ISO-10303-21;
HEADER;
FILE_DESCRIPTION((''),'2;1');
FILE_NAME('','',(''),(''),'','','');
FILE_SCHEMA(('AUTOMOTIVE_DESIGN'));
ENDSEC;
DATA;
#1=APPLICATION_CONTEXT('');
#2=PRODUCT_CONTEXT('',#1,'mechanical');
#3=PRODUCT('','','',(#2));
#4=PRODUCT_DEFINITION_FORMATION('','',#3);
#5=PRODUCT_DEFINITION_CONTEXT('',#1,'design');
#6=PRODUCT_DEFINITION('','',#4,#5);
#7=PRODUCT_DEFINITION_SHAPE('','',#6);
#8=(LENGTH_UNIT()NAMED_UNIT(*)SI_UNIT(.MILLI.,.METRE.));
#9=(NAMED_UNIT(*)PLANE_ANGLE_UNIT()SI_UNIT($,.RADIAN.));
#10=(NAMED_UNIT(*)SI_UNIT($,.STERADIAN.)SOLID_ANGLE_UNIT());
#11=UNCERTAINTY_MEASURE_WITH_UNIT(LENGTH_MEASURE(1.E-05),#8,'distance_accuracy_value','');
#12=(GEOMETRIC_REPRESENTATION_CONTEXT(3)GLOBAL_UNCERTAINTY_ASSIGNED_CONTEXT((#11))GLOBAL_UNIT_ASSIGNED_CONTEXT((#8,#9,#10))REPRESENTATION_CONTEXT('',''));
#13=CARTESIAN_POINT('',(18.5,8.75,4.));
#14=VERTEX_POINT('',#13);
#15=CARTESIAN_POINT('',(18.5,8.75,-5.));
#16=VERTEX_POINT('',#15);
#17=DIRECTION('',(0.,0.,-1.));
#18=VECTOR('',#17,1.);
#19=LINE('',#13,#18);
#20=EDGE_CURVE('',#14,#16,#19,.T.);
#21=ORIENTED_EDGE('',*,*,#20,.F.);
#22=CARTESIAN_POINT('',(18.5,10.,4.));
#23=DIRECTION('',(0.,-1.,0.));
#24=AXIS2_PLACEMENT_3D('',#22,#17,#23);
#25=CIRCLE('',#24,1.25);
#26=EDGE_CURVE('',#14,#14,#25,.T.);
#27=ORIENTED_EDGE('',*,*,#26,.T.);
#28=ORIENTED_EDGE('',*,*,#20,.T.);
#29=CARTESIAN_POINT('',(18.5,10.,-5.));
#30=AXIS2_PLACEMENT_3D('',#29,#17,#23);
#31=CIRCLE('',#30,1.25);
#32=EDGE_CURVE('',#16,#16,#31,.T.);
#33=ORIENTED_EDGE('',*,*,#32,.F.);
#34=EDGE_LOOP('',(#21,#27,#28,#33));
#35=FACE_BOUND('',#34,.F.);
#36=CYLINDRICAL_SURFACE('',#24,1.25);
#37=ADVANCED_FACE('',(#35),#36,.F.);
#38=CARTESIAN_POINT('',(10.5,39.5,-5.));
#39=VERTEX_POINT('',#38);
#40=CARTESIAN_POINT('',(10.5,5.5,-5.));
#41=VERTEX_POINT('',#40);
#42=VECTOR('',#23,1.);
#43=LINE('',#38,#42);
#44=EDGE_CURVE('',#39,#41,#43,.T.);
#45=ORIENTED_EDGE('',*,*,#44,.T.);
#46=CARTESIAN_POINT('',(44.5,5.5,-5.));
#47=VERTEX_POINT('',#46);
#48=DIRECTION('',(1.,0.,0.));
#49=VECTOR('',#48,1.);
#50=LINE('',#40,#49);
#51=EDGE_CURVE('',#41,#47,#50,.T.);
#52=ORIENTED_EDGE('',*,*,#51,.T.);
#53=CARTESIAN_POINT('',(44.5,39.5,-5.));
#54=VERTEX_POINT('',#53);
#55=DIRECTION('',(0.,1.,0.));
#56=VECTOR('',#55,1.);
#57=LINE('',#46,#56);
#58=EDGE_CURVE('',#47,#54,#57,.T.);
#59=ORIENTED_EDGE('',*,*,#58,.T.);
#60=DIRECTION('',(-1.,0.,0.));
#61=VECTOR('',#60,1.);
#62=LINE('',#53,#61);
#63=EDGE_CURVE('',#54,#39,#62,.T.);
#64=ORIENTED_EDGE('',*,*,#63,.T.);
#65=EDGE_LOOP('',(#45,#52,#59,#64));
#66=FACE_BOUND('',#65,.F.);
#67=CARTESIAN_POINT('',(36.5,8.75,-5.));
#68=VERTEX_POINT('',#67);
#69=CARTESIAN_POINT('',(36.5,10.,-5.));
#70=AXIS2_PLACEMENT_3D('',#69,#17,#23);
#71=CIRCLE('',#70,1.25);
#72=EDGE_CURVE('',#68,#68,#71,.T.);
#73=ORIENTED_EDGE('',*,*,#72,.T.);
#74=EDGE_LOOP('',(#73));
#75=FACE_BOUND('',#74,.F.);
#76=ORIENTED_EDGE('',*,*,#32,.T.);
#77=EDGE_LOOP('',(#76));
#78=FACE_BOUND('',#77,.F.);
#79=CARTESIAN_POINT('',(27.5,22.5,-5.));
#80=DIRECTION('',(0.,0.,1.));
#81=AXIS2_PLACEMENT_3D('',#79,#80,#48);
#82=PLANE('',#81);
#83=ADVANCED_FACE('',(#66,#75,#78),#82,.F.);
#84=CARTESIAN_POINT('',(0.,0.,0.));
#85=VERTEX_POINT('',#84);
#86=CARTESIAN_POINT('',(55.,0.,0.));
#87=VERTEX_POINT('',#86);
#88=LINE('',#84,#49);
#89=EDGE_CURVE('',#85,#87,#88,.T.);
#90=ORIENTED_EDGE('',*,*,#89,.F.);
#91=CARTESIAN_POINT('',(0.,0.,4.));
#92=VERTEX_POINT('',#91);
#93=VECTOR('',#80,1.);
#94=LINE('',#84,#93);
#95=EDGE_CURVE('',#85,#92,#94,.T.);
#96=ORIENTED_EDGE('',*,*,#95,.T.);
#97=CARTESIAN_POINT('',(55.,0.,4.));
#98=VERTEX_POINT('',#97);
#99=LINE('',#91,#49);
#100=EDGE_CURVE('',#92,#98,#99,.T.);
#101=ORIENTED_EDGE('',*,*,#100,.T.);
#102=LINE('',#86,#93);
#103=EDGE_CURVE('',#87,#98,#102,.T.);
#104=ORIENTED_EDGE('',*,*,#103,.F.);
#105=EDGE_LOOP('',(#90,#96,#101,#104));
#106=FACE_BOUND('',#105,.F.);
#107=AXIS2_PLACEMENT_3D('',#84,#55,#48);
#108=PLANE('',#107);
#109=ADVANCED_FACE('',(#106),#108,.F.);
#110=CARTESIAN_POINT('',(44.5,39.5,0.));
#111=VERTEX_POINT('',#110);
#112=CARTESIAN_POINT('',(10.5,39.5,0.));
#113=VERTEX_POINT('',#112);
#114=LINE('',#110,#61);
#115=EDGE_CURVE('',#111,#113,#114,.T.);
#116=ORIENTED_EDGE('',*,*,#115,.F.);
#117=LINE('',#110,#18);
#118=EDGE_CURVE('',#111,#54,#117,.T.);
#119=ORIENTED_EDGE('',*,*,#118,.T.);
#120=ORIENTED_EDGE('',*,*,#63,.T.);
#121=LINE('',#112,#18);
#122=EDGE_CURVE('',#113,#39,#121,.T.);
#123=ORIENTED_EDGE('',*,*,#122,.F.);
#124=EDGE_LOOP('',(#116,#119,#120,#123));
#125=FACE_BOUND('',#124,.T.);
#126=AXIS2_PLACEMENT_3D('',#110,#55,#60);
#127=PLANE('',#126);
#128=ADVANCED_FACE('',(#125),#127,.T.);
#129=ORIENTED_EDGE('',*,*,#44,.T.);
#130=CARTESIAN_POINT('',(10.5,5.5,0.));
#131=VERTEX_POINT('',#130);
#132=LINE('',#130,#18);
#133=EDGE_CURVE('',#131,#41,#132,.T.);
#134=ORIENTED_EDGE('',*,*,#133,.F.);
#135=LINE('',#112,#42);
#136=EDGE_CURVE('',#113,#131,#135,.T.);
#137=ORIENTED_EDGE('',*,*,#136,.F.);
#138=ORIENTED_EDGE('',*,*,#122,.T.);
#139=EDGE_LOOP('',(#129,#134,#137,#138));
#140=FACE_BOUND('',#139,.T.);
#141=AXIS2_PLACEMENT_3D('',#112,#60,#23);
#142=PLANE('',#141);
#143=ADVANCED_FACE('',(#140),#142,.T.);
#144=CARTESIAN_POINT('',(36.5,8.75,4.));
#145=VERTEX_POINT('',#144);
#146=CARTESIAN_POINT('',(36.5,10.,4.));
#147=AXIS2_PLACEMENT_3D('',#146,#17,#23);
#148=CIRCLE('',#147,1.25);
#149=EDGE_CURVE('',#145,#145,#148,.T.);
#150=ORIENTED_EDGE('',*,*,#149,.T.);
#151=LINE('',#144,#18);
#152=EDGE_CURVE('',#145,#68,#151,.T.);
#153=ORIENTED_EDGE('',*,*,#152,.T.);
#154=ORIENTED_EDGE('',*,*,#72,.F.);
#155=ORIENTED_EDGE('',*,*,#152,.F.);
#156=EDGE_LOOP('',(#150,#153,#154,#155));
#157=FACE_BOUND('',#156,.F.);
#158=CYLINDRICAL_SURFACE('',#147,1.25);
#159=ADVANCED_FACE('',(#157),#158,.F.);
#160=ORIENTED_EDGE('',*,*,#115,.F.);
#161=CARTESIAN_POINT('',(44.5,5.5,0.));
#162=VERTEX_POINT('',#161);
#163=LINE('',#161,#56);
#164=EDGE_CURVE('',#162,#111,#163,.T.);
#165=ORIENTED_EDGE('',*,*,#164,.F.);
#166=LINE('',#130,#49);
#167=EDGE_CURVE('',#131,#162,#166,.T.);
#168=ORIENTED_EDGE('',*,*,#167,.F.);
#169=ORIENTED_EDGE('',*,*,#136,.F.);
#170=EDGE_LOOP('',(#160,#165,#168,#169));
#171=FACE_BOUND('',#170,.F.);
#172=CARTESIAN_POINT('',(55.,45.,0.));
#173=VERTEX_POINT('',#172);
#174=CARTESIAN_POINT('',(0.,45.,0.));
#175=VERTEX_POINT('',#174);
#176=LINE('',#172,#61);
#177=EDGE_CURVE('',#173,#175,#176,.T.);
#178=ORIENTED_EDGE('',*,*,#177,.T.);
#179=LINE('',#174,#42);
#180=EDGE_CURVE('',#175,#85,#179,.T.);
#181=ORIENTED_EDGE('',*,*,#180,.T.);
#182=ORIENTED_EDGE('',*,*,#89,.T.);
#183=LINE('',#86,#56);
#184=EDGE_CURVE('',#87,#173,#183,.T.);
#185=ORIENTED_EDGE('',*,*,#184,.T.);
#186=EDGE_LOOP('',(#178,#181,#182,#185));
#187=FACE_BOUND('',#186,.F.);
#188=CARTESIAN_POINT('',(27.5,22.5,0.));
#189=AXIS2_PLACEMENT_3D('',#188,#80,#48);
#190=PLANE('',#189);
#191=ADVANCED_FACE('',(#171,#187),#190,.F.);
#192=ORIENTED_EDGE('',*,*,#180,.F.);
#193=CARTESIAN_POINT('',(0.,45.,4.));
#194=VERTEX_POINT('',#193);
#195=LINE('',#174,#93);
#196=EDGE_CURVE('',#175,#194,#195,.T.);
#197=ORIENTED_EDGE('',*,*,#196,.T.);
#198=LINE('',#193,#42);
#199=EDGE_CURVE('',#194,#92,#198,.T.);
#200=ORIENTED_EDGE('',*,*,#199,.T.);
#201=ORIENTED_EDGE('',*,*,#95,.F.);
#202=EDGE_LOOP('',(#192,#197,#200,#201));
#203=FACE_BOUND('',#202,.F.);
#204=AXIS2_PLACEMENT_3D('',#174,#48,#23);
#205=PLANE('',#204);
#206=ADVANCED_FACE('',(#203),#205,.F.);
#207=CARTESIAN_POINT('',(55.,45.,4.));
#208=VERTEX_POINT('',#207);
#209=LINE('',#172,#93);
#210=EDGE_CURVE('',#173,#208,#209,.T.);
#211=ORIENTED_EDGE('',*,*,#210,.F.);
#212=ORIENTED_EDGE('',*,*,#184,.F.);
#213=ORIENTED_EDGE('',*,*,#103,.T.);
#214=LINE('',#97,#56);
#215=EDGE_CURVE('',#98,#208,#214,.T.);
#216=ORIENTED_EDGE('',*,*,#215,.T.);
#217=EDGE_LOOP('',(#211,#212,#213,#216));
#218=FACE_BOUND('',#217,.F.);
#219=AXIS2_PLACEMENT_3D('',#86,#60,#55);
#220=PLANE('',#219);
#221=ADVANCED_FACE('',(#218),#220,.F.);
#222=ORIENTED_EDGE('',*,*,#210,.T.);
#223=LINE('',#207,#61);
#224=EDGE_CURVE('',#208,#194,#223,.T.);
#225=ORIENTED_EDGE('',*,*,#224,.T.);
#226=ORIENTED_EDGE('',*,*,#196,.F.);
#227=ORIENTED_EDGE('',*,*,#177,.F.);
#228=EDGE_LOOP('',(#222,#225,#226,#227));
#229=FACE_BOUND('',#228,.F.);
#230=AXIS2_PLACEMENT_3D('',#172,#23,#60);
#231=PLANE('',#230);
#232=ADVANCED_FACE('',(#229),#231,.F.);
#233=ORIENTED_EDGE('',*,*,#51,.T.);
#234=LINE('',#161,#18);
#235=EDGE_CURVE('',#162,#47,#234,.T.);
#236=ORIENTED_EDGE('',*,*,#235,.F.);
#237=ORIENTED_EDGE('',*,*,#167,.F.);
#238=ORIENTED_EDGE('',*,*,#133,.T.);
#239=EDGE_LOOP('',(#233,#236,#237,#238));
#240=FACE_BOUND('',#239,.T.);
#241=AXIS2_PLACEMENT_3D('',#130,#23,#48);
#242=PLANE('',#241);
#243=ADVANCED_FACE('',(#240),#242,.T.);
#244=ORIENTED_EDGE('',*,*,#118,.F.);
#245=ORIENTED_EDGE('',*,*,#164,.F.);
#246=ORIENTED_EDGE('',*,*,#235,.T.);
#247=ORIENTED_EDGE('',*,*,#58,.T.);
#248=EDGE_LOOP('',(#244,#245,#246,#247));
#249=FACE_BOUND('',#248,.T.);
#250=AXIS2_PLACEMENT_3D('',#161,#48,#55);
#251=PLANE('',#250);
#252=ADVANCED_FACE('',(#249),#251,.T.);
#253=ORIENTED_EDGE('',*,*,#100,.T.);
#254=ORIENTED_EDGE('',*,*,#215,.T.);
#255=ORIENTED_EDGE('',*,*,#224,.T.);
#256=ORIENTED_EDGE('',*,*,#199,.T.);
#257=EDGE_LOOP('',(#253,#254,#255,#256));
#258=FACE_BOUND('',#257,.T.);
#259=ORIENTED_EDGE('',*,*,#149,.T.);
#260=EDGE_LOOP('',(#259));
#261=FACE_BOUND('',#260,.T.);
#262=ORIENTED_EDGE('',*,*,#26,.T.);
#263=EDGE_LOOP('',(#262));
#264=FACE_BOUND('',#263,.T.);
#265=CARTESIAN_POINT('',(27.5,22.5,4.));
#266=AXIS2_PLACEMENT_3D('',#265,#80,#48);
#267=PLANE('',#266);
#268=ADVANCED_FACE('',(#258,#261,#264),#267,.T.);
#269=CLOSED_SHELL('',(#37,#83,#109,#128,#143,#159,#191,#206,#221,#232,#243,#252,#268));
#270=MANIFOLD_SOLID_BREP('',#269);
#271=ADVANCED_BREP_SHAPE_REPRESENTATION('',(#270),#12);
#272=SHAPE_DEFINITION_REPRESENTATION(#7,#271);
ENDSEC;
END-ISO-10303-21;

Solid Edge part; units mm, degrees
sketch "Sketch1" plane through (0, 0, 0) normal (0, 0, 1) x (1, 0, 0)
  line L0 (55, 0) -> (55, 45)
  line L1 (55, 45) -> (0, 45)
  line L2 (0, 45) -> (0, 0)
  line L3 (0, 0) -> (55, 0)
extrude "Protrusion1" add sketch "Sketch1" along normal blind 4
sketch "Sketch2" plane through (22.5, 22.5, 0) normal (0, 0, -1) x (1, 0, 0)
  line L0 (-12, 17) -> (22, 17)
  line L1 (22, 17) -> (22, -17)
  line L2 (22, -17) -> (-12, -17)
  line L3 (-12, -17) -> (-12, 17)
extrude "ExtrudedProtrusion_2" add sketch "Sketch2" along normal blind 5
hole "Hole_1" at (18.5, 10, 4) direction (0, 0, -1) diameter 2.5 depth 10
hole "Hole1" at (36.5, 10, 4) direction (0, 0, -1) diameter 2.5 depth 10
